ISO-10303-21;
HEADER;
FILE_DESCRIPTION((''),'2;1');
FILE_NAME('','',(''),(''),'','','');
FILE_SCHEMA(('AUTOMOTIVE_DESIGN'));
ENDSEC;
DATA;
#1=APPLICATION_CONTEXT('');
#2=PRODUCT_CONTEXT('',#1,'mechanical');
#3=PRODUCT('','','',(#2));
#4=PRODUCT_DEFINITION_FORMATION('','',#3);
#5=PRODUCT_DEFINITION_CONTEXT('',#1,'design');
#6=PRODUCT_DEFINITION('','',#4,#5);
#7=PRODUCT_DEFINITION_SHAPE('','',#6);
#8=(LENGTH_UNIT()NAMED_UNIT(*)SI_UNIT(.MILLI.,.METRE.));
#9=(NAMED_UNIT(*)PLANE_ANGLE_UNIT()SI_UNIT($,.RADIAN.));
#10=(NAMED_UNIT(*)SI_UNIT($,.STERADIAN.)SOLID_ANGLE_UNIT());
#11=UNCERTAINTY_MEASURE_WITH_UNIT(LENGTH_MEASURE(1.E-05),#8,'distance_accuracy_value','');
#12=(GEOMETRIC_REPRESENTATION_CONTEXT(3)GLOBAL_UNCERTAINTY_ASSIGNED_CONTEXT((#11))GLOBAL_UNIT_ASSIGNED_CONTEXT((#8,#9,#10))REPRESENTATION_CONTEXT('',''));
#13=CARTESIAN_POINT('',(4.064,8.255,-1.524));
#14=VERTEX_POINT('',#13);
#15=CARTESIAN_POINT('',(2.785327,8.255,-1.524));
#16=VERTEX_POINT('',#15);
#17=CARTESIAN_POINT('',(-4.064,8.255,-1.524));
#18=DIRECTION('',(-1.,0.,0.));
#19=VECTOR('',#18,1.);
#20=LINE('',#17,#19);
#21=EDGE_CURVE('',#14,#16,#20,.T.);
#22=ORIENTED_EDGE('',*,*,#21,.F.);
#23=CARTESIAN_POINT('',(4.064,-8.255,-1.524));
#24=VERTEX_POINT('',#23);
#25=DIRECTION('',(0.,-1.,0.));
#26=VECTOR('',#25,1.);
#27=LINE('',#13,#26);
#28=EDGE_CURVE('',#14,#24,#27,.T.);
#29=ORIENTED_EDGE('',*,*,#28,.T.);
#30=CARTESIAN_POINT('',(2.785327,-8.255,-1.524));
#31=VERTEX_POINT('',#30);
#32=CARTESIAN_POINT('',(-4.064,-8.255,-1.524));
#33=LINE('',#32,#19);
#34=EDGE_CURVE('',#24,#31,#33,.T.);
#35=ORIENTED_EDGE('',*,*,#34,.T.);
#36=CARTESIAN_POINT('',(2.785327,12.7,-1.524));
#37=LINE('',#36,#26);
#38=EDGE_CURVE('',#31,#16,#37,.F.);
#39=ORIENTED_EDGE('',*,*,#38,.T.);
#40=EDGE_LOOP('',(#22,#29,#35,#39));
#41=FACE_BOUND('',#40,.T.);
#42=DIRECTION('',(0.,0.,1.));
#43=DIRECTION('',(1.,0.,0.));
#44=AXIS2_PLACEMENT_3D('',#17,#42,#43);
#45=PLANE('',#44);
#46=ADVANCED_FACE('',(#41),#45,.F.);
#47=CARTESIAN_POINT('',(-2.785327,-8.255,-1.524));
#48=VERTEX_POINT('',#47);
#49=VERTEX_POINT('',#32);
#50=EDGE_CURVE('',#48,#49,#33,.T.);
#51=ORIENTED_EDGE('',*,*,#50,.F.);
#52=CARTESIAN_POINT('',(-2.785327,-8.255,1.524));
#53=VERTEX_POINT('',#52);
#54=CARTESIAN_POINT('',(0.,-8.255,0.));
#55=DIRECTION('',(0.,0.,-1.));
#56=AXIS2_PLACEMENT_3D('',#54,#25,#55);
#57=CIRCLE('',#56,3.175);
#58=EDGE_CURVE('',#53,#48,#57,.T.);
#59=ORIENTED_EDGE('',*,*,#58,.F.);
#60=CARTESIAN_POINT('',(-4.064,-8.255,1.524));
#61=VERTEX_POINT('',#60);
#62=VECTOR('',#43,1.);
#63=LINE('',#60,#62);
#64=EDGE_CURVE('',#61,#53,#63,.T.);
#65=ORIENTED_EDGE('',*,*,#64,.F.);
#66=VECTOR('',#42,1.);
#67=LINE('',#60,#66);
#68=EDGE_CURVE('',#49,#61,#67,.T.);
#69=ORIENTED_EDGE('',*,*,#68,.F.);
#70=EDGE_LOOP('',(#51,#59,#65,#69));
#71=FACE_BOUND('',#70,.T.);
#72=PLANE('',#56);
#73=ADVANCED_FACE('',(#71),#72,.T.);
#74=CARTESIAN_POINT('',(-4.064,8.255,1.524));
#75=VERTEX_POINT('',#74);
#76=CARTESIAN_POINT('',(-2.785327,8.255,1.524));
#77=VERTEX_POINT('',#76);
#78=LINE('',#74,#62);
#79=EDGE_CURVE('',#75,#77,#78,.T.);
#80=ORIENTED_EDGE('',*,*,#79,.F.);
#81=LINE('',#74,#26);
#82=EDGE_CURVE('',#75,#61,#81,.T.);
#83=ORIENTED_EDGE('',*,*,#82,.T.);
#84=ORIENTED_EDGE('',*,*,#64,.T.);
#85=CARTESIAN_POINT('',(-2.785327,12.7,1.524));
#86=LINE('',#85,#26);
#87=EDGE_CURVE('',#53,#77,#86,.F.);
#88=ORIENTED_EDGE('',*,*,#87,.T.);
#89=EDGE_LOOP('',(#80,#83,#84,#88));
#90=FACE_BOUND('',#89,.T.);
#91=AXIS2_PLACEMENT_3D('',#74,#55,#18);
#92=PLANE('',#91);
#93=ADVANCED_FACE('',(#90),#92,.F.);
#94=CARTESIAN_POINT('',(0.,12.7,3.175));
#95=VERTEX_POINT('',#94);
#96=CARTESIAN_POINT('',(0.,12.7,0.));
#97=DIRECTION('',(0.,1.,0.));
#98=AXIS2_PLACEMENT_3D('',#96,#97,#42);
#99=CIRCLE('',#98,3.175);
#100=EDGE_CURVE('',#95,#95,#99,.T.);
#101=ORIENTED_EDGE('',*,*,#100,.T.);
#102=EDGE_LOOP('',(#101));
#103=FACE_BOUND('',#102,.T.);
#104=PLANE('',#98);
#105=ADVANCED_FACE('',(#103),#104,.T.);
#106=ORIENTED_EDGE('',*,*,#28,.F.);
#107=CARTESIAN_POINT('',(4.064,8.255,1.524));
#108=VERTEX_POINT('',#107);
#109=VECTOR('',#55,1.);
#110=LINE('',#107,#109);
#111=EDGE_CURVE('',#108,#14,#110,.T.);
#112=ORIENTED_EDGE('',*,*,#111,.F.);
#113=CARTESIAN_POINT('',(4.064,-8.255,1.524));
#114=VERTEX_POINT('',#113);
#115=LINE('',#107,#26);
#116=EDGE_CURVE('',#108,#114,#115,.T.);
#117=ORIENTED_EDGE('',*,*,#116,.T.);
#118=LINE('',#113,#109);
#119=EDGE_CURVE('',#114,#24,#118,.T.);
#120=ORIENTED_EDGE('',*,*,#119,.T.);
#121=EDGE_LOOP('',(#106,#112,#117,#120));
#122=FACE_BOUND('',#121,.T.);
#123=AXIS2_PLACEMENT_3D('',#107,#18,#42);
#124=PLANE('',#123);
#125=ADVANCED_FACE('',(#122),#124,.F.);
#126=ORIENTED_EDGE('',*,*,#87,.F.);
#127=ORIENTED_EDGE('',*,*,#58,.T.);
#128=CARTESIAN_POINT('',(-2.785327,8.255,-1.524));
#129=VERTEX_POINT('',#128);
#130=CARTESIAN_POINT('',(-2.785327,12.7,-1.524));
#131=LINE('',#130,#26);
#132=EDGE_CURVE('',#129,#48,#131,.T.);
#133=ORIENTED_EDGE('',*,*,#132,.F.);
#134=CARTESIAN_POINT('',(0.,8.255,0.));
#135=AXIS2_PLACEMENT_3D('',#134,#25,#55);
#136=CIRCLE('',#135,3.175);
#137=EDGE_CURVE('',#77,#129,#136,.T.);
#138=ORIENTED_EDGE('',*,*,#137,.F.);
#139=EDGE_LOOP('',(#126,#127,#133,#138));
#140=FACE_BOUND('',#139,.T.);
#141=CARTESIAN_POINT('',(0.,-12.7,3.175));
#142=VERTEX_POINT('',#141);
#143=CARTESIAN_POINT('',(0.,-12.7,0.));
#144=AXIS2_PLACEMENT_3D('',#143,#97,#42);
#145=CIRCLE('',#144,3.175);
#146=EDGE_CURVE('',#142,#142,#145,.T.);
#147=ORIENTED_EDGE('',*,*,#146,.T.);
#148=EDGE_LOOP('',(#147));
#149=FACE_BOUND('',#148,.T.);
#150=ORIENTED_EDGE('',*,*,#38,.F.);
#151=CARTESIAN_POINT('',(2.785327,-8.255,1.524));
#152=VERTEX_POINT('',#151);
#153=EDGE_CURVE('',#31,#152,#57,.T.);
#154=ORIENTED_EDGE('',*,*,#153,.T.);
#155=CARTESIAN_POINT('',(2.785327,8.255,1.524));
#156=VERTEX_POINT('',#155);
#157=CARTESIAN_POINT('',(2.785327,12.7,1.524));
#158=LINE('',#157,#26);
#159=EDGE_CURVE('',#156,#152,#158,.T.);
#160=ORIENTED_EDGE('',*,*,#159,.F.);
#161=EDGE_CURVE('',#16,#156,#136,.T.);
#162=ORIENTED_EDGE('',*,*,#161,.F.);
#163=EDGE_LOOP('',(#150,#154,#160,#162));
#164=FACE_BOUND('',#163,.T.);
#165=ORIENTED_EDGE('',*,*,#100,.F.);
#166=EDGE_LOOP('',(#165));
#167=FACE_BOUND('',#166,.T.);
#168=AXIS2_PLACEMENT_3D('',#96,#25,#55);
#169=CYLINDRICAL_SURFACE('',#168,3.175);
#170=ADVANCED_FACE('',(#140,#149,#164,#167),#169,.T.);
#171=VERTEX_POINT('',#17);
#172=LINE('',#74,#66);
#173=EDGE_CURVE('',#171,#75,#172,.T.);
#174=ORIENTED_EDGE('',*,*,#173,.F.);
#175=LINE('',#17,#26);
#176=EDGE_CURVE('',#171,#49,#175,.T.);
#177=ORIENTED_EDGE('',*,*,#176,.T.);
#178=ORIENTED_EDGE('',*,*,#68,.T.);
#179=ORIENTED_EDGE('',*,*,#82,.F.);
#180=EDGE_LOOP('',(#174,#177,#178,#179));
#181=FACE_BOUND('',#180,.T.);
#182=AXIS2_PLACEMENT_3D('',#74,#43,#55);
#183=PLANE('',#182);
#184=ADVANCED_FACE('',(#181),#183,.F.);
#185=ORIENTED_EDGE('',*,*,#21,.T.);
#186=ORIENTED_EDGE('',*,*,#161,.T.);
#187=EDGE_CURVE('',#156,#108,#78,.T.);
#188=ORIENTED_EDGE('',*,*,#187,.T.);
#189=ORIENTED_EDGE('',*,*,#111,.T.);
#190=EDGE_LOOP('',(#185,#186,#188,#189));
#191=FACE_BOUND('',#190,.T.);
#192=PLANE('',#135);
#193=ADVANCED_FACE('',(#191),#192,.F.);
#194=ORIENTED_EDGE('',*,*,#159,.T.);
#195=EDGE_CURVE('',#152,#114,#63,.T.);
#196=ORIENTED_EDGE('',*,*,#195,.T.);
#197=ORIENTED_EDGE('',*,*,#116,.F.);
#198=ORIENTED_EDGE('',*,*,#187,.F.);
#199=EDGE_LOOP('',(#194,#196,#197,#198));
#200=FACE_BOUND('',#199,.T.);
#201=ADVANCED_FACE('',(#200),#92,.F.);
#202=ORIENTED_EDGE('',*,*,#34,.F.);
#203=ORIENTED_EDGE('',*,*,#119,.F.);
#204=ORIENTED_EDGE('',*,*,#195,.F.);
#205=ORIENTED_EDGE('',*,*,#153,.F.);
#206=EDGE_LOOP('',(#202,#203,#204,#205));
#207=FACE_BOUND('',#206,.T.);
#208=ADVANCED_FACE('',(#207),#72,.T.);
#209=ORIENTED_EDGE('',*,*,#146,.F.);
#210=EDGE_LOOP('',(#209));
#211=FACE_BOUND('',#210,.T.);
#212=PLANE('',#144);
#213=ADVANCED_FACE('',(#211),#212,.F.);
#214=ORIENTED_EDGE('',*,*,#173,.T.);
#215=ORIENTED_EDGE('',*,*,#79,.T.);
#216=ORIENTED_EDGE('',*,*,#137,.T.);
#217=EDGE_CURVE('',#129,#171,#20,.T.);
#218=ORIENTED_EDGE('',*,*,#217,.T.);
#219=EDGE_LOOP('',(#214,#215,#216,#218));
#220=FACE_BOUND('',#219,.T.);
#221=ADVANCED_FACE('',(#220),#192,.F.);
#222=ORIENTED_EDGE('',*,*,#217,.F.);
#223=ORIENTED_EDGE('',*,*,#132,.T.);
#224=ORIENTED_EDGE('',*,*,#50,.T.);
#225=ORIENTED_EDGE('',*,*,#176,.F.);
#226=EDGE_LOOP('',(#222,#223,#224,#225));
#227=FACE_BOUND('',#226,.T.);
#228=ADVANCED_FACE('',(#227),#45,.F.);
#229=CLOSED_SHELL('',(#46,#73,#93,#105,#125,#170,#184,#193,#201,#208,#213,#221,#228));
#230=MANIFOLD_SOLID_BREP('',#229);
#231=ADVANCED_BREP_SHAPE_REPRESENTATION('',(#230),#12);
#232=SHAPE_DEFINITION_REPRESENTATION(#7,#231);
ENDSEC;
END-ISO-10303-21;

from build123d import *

# Parameters (mm, degrees)
SKETCH1_R           = 3.175
BOSS_EXTRUDE1_DEPTH = 12.7
SKETCH2_W           = 8.128
SKETCH2_H           = 3.048
BOSS_EXTRUDE2_DEPTH = 8.255


with BuildPart() as part:
    # Sketch1 → Boss-Extrude1 (new body, symmetric)
    with BuildSketch(Plane(origin=(0, 0, 0), x_dir=(1, 0, 0), z_dir=(0, 1, 0))):
        Circle(SKETCH1_R)
    extrude(amount=BOSS_EXTRUDE1_DEPTH, both=True)

    # Sketch2 → Boss-Extrude2 (add, symmetric)
    with BuildSketch(Plane(origin=(0, 0, 0), x_dir=(1, 0, 0), z_dir=(0, 1, 0))):
        Rectangle(SKETCH2_W, SKETCH2_H)
    extrude(amount=BOSS_EXTRUDE2_DEPTH, both=True)


solid = part.part
